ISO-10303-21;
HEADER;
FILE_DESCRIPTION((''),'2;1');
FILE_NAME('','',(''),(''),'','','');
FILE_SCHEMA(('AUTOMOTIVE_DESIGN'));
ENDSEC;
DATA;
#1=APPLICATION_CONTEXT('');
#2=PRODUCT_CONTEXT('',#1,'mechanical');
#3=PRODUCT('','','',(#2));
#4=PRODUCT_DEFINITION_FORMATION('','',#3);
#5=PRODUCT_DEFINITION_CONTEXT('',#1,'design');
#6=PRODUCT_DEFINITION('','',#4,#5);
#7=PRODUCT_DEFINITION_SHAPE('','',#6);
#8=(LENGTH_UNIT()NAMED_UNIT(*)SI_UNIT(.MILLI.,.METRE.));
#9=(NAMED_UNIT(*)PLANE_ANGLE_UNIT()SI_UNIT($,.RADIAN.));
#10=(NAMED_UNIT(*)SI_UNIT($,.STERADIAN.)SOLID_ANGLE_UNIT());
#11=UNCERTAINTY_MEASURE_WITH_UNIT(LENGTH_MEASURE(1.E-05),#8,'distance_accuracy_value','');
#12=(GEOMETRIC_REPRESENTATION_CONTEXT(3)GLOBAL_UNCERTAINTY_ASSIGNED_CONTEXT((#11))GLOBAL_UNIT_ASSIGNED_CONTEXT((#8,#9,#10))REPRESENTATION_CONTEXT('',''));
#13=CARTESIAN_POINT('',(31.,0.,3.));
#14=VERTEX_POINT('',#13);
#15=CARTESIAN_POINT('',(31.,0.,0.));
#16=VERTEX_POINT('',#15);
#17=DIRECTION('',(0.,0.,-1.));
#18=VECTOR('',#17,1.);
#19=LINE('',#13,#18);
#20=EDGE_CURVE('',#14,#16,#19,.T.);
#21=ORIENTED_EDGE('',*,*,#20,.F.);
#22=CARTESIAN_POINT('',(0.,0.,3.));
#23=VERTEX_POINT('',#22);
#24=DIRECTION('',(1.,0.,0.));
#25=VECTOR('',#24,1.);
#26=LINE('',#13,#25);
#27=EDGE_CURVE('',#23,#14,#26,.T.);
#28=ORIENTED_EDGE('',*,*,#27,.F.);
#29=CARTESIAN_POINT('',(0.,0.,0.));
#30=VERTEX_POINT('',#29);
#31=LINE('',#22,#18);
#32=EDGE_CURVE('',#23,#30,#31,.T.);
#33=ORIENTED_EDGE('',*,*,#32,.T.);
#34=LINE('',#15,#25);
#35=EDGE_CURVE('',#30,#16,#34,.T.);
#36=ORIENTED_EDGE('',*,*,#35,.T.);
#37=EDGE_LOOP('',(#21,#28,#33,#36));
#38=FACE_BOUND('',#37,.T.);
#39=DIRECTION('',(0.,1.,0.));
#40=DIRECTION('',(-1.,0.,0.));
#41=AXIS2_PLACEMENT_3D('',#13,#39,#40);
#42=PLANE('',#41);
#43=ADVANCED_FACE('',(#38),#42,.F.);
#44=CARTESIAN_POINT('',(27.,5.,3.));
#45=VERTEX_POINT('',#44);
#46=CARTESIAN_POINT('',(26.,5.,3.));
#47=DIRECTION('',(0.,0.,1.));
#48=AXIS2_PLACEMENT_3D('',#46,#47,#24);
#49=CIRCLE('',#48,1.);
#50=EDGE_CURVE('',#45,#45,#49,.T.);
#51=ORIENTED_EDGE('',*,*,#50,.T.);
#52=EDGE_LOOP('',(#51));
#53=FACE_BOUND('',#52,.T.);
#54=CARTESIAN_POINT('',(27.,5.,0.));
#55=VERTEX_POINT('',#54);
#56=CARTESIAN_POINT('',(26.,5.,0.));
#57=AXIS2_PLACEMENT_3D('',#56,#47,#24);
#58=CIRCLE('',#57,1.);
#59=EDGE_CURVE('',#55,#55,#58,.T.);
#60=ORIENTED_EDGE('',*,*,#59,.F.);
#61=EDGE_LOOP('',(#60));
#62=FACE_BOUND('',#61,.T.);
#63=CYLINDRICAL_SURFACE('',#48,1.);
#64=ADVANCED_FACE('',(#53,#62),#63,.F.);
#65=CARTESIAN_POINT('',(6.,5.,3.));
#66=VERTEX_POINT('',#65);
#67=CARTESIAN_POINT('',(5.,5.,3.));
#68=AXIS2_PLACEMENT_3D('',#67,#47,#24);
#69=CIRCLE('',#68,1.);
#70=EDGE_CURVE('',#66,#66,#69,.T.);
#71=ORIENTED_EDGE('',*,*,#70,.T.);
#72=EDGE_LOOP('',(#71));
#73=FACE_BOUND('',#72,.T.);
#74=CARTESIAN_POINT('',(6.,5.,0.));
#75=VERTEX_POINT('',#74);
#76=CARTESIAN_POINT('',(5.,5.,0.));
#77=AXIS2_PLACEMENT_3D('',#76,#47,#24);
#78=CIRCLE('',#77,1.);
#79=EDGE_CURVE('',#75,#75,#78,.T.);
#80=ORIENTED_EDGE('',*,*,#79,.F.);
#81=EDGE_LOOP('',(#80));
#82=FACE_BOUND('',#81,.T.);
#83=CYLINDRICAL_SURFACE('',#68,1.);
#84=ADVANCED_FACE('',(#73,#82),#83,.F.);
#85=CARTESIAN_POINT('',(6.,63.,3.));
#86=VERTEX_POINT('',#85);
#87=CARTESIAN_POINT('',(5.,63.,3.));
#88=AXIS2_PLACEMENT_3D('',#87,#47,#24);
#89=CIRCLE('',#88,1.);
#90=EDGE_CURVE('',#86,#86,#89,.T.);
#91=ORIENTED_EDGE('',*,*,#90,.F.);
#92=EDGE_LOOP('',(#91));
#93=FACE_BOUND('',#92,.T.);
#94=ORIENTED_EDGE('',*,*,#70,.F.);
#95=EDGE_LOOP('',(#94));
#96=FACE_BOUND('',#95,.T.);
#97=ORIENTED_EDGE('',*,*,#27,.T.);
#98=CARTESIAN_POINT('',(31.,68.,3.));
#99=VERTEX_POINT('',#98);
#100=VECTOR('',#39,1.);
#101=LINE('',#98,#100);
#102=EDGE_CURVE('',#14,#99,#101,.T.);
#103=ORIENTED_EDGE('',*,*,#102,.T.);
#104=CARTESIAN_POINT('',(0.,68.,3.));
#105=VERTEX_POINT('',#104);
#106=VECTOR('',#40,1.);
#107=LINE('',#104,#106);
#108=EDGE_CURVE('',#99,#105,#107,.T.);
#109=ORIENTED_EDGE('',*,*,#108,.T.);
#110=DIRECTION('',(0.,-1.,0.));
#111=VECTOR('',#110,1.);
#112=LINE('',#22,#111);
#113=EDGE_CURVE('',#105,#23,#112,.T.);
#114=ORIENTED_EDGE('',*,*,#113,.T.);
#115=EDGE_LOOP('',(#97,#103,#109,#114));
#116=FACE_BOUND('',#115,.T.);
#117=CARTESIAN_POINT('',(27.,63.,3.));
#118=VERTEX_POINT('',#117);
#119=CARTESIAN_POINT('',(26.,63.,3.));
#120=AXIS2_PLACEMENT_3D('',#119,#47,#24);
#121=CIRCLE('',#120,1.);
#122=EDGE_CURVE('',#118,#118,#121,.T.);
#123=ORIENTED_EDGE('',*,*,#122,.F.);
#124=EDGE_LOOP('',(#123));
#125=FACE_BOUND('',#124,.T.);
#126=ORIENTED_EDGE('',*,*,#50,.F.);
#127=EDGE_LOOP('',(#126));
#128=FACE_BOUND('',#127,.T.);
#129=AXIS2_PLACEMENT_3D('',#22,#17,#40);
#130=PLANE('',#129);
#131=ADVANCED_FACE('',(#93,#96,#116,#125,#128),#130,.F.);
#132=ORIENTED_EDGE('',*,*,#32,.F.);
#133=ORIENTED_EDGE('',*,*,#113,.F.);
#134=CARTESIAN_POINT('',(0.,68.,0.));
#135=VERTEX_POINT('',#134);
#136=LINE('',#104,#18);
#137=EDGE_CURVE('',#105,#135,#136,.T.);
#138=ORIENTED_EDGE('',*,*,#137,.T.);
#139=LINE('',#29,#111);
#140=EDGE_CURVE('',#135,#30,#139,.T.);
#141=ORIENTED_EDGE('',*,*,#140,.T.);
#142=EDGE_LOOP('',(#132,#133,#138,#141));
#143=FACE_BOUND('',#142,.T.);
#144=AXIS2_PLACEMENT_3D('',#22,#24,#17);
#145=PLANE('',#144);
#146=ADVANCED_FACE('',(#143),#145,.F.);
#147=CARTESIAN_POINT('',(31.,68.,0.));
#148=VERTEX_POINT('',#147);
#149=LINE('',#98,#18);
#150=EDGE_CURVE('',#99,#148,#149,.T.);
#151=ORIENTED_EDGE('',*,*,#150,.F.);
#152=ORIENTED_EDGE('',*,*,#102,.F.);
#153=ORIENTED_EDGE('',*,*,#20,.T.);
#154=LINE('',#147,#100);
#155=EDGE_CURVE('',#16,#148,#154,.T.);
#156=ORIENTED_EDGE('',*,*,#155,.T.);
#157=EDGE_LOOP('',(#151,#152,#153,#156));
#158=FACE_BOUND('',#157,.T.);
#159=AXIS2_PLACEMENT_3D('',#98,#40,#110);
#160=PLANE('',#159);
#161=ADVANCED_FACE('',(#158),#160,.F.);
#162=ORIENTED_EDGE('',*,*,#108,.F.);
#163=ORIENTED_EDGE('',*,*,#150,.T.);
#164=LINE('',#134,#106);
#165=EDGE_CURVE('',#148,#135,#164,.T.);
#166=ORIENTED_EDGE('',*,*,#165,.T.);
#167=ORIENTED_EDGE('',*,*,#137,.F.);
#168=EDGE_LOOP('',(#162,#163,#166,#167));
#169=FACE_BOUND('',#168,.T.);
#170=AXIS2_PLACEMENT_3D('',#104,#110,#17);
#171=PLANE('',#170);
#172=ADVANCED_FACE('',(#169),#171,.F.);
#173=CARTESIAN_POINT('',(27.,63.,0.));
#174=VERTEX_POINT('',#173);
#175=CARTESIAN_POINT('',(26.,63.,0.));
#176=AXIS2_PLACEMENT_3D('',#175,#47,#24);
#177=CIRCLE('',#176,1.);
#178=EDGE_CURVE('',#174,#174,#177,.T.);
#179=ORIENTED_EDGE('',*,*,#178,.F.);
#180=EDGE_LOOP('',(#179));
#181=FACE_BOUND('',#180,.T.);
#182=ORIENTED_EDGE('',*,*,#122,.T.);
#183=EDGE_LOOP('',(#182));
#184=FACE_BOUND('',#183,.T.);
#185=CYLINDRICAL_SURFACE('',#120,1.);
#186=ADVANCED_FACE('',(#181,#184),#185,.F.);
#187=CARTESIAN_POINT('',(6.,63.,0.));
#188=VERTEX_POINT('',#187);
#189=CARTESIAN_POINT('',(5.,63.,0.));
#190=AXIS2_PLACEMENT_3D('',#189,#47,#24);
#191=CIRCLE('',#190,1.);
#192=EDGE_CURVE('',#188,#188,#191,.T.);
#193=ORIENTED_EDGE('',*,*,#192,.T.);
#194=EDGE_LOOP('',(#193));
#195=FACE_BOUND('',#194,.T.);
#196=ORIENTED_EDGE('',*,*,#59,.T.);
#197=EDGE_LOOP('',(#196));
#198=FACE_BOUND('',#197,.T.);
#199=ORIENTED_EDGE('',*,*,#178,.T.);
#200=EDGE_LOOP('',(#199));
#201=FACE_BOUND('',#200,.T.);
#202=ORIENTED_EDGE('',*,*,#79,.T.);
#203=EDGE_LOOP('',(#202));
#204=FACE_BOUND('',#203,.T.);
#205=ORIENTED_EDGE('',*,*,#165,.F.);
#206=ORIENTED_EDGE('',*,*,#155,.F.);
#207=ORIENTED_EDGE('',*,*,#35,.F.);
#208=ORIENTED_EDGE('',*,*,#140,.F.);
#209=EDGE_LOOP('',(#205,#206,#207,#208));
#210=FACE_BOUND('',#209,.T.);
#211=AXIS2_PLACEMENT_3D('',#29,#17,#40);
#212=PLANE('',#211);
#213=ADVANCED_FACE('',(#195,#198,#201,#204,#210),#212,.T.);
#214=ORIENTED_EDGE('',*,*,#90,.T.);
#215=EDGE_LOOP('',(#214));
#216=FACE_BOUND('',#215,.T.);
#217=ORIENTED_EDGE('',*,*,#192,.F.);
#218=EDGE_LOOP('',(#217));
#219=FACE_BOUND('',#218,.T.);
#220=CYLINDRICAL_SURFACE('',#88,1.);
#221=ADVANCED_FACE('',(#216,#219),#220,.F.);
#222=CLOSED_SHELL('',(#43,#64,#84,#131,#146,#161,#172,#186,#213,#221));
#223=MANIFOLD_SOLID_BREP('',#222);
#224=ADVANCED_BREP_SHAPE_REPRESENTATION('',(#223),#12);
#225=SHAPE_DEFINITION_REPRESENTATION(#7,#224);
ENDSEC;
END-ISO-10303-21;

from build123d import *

# Parameters (mm, degrees)
ESQUISSE1_W         = 31
ESQUISSE1_H         = 68
BOSS_EXTRU_1_DEPTH  = 3
TROU_TARAUD_0_801_D = 2


with BuildPart() as part:
    # Esquisse1 → Boss.-Extru.1 (new body)
    with BuildSketch(Plane.XY):
        with Locations((15.5, 34)):
            Rectangle(ESQUISSE1_W, ESQUISSE1_H)
    extrude(amount=BOSS_EXTRU_1_DEPTH)

    # Trou taraudé #0-801 (through all)
    with Locations(Plane.XY.offset(3)):
        with Locations((5, 63), (26, 63), (26, 5), (5, 5)):
            Hole(TROU_TARAUD_0_801_D / 2)


solid = part.part
